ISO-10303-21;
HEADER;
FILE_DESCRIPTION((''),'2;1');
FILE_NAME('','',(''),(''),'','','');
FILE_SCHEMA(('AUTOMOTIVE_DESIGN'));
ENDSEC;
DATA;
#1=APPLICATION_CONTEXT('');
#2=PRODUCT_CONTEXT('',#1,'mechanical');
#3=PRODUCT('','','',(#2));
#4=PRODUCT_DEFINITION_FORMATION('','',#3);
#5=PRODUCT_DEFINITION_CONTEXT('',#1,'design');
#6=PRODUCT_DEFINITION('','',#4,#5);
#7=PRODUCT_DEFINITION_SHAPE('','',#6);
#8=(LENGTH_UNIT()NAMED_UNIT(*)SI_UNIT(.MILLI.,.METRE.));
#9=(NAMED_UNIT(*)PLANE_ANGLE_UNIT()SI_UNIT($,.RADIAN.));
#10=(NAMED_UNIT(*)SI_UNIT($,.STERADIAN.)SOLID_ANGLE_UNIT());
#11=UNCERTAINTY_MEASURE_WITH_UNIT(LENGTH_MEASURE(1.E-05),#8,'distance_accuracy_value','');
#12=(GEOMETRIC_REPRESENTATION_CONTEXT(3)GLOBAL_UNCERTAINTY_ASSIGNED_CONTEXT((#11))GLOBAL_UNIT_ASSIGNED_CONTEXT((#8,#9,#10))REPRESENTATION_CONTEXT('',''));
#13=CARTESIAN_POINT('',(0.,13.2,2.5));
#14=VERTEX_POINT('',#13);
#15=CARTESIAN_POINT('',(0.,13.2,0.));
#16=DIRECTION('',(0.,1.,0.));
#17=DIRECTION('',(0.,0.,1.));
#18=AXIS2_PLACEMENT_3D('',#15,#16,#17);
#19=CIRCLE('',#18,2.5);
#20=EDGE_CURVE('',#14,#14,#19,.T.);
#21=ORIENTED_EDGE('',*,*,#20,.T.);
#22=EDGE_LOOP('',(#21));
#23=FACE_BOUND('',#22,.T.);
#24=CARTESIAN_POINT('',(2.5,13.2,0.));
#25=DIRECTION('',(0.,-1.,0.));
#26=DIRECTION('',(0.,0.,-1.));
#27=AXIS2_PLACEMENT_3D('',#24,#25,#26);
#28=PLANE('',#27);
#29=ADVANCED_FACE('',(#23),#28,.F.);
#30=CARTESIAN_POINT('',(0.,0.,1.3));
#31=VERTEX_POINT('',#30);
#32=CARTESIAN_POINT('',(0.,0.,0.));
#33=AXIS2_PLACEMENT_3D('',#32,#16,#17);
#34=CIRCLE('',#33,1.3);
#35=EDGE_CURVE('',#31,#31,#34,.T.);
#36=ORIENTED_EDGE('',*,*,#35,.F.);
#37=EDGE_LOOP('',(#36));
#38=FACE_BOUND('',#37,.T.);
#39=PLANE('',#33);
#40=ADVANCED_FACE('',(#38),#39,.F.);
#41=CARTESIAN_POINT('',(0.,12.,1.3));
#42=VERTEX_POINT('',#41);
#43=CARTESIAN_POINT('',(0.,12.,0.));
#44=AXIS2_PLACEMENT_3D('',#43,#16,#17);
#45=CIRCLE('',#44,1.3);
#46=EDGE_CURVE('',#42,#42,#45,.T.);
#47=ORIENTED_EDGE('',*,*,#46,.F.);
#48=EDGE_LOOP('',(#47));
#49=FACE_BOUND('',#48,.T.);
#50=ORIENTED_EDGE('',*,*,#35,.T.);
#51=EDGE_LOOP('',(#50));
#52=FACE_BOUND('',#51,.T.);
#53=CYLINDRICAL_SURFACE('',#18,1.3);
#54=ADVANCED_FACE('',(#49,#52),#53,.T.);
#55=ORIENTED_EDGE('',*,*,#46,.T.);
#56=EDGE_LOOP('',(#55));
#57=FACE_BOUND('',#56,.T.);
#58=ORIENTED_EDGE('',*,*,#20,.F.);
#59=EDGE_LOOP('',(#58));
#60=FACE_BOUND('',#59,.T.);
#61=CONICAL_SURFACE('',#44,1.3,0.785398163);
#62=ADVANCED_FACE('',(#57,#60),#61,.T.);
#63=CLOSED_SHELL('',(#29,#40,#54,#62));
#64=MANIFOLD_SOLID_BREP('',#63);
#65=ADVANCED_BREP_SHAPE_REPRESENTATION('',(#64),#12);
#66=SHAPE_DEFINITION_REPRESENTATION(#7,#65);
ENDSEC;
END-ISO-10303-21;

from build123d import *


with BuildPart() as part:
    # Sketch4 → Revolve1 (revolve)
    with BuildSketch(Plane.XY, mode=Mode.PRIVATE) as revolve1_sk:
        Polygon((0, 0), (1.3, 0), (1.3, 12), (2.5, 13.2), (0, 13.2), align=None)
    revolve(revolve1_sk.sketch.rotate(Axis((0, 13.2, 0), (0, -1, 0)), 90), axis=Axis((0, 13.2, 0), (0, -1, 0)))


solid = part.part
